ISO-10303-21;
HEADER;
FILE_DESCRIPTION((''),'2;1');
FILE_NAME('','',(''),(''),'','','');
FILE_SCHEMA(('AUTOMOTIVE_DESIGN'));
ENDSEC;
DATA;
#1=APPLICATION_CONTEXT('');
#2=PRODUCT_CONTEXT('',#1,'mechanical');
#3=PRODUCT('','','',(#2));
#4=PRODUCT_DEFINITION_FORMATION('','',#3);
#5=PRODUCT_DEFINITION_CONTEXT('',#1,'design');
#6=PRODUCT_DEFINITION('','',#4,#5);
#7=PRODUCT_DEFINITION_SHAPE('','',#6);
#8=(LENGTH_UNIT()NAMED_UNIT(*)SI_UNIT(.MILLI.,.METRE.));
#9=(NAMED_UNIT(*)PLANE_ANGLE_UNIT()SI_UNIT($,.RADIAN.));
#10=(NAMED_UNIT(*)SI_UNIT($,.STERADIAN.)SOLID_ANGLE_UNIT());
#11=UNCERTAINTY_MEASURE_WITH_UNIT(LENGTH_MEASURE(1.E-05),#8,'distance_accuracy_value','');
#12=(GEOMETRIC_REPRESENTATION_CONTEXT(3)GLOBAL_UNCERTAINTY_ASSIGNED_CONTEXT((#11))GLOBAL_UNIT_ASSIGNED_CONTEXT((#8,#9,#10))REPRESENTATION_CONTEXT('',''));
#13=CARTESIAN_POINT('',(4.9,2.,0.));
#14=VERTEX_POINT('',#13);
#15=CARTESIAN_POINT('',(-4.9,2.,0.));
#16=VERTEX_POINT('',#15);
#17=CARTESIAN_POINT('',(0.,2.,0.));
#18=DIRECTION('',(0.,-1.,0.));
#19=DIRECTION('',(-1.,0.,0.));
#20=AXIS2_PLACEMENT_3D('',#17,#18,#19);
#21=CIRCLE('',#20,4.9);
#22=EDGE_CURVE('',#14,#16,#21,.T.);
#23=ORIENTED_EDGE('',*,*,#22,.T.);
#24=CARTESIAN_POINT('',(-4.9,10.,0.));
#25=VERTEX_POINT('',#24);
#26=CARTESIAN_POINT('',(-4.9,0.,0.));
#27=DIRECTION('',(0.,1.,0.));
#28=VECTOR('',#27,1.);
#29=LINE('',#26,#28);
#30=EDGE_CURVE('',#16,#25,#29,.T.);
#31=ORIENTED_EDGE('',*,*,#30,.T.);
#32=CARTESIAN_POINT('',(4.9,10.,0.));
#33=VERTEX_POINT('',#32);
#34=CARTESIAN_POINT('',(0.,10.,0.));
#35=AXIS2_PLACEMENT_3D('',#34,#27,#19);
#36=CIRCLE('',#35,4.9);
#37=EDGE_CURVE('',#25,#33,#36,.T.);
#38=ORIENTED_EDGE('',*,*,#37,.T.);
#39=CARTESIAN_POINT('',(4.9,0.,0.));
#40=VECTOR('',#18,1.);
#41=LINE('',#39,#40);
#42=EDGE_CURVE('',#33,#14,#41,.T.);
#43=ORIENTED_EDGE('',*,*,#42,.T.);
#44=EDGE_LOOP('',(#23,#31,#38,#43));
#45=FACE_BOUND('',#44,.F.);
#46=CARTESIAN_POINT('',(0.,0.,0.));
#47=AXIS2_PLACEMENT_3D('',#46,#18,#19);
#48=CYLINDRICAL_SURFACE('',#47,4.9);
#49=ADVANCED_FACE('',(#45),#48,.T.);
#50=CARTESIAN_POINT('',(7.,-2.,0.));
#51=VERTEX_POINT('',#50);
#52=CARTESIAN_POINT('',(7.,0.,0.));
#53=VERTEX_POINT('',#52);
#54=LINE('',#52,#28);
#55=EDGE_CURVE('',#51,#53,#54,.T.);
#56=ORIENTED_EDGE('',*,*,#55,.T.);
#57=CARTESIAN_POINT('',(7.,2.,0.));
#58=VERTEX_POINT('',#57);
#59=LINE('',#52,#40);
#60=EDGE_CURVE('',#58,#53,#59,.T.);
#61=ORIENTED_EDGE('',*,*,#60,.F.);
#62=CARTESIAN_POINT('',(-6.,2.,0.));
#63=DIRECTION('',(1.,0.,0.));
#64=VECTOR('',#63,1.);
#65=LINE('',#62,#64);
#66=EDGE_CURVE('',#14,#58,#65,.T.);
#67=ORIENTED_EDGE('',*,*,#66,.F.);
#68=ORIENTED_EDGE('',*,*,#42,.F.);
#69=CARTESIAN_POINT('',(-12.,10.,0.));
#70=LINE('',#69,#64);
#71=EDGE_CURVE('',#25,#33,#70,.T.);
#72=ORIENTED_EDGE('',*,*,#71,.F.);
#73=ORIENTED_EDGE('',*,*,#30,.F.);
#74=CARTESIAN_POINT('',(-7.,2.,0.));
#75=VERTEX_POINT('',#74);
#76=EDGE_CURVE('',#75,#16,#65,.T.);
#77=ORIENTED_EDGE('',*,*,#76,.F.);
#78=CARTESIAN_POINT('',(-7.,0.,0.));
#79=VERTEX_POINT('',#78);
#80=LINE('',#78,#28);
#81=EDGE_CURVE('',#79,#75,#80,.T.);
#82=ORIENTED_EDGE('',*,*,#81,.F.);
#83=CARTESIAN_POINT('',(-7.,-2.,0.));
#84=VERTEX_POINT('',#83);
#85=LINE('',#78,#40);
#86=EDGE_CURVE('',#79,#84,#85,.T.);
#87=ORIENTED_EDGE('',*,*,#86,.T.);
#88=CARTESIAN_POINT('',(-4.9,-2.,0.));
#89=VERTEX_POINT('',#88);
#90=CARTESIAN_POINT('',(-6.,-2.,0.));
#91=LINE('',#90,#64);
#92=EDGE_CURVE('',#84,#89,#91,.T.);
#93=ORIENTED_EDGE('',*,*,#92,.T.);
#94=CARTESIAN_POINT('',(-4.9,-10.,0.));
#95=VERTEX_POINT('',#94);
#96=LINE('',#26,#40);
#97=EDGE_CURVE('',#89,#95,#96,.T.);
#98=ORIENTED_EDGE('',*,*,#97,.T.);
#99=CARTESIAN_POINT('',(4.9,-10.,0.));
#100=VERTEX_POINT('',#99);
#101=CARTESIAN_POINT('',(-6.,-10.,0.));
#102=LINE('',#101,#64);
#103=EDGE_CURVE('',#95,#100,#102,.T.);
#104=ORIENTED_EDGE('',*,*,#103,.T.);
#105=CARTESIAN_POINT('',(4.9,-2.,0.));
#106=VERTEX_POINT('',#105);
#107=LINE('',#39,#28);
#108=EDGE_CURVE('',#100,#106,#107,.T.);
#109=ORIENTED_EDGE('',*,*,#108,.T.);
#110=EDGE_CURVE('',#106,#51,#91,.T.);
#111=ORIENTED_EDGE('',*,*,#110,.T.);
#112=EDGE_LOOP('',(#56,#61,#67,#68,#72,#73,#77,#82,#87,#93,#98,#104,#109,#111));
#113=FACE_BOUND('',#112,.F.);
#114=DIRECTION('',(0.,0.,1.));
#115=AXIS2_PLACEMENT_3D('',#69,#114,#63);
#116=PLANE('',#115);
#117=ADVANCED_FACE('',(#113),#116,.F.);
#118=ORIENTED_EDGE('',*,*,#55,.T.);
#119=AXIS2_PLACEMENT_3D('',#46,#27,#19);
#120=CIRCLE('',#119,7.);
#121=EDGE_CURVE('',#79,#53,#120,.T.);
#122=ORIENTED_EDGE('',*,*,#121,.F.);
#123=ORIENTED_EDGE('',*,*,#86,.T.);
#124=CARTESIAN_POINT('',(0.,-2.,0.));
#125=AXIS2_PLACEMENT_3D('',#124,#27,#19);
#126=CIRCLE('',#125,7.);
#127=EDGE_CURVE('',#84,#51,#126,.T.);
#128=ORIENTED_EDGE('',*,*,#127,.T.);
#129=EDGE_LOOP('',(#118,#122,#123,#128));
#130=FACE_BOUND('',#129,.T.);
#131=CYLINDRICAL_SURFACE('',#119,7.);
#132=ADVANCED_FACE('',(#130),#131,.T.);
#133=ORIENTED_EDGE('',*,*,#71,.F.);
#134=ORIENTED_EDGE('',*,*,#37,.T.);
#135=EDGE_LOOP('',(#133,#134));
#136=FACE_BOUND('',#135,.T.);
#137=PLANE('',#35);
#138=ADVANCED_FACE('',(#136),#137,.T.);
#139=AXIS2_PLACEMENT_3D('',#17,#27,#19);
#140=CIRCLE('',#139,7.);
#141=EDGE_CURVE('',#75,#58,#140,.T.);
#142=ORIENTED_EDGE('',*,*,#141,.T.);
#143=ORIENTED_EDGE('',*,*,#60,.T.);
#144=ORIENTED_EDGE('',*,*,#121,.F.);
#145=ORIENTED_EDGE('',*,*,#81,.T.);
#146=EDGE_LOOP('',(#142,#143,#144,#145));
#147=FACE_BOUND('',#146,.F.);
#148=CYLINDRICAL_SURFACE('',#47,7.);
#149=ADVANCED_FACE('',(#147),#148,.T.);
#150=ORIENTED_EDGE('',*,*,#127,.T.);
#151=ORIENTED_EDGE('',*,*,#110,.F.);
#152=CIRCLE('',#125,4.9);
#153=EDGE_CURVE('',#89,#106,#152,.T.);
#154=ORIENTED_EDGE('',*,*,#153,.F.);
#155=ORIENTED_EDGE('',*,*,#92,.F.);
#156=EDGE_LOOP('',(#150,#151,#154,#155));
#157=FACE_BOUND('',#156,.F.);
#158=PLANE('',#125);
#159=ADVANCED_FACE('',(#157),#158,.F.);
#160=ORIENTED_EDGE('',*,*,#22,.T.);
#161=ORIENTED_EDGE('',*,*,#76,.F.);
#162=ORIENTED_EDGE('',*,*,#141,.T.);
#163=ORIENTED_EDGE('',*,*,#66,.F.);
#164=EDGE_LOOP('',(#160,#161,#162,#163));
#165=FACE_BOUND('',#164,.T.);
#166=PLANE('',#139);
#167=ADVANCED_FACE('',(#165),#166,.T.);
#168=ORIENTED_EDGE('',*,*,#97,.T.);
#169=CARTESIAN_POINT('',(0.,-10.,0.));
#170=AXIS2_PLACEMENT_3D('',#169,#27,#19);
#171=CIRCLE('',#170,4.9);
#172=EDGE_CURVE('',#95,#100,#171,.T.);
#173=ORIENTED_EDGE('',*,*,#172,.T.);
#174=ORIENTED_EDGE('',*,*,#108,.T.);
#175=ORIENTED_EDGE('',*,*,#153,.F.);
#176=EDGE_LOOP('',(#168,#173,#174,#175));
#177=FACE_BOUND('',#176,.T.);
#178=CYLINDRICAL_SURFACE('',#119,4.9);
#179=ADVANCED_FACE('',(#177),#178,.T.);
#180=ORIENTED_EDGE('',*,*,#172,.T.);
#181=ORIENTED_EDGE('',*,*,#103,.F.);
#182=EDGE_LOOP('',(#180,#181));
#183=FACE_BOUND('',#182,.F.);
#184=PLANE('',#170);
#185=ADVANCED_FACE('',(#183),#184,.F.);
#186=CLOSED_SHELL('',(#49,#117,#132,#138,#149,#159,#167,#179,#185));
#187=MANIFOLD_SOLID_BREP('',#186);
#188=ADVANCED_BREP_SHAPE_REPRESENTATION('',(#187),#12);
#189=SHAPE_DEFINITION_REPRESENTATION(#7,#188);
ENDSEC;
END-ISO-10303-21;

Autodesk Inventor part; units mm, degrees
ref_plane "YZ Plane" through (0, 0, 0) normal (1, 0, 0) x (0, 1, 0)
ref_plane "XZ Plane" through (0, 0, 0) normal (0, 1, 0) x (-1, 0, 0)
ref_plane "XY Plane" through (0, 0, 0) normal (0, 0, 1) x (1, 0, 0)
sketch "Sketch1" plane through (0, 0, 0) normal (0, 1, 0) x (-1, 0, 0)
  circle A0 centre (0, 0) radius 4.9
  dimension "d0" = 9.8
extrude "Extrusion1" add sketch "Sketch1" along normal mid plane 20
sketch "Sketch2" plane through (0, 0, 0) normal (0, 1, 0) x (-1, 0, 0)
  circle A0 centre (0, 0) radius 7
  dimension "d3" = 14
extrude "Extrusion2" add sketch "Sketch2" along normal mid plane 4
sketch "Sketch3" plane through (0, 10, 0) normal (0, 1, 0) x (1, 0, 0)
  line L0 (-12, 0) -> (13, 0)
  line L1 (13, 0) -> (13, 11)
  line L2 (13, 11) -> (-12, 11)
  line L3 (-12, 11) -> (-12, 0)
  point P0 (0, 0)
extrude "Extrusion3" cut sketch "Sketch3" against normal blind 28
properties part number "wall_pin"
